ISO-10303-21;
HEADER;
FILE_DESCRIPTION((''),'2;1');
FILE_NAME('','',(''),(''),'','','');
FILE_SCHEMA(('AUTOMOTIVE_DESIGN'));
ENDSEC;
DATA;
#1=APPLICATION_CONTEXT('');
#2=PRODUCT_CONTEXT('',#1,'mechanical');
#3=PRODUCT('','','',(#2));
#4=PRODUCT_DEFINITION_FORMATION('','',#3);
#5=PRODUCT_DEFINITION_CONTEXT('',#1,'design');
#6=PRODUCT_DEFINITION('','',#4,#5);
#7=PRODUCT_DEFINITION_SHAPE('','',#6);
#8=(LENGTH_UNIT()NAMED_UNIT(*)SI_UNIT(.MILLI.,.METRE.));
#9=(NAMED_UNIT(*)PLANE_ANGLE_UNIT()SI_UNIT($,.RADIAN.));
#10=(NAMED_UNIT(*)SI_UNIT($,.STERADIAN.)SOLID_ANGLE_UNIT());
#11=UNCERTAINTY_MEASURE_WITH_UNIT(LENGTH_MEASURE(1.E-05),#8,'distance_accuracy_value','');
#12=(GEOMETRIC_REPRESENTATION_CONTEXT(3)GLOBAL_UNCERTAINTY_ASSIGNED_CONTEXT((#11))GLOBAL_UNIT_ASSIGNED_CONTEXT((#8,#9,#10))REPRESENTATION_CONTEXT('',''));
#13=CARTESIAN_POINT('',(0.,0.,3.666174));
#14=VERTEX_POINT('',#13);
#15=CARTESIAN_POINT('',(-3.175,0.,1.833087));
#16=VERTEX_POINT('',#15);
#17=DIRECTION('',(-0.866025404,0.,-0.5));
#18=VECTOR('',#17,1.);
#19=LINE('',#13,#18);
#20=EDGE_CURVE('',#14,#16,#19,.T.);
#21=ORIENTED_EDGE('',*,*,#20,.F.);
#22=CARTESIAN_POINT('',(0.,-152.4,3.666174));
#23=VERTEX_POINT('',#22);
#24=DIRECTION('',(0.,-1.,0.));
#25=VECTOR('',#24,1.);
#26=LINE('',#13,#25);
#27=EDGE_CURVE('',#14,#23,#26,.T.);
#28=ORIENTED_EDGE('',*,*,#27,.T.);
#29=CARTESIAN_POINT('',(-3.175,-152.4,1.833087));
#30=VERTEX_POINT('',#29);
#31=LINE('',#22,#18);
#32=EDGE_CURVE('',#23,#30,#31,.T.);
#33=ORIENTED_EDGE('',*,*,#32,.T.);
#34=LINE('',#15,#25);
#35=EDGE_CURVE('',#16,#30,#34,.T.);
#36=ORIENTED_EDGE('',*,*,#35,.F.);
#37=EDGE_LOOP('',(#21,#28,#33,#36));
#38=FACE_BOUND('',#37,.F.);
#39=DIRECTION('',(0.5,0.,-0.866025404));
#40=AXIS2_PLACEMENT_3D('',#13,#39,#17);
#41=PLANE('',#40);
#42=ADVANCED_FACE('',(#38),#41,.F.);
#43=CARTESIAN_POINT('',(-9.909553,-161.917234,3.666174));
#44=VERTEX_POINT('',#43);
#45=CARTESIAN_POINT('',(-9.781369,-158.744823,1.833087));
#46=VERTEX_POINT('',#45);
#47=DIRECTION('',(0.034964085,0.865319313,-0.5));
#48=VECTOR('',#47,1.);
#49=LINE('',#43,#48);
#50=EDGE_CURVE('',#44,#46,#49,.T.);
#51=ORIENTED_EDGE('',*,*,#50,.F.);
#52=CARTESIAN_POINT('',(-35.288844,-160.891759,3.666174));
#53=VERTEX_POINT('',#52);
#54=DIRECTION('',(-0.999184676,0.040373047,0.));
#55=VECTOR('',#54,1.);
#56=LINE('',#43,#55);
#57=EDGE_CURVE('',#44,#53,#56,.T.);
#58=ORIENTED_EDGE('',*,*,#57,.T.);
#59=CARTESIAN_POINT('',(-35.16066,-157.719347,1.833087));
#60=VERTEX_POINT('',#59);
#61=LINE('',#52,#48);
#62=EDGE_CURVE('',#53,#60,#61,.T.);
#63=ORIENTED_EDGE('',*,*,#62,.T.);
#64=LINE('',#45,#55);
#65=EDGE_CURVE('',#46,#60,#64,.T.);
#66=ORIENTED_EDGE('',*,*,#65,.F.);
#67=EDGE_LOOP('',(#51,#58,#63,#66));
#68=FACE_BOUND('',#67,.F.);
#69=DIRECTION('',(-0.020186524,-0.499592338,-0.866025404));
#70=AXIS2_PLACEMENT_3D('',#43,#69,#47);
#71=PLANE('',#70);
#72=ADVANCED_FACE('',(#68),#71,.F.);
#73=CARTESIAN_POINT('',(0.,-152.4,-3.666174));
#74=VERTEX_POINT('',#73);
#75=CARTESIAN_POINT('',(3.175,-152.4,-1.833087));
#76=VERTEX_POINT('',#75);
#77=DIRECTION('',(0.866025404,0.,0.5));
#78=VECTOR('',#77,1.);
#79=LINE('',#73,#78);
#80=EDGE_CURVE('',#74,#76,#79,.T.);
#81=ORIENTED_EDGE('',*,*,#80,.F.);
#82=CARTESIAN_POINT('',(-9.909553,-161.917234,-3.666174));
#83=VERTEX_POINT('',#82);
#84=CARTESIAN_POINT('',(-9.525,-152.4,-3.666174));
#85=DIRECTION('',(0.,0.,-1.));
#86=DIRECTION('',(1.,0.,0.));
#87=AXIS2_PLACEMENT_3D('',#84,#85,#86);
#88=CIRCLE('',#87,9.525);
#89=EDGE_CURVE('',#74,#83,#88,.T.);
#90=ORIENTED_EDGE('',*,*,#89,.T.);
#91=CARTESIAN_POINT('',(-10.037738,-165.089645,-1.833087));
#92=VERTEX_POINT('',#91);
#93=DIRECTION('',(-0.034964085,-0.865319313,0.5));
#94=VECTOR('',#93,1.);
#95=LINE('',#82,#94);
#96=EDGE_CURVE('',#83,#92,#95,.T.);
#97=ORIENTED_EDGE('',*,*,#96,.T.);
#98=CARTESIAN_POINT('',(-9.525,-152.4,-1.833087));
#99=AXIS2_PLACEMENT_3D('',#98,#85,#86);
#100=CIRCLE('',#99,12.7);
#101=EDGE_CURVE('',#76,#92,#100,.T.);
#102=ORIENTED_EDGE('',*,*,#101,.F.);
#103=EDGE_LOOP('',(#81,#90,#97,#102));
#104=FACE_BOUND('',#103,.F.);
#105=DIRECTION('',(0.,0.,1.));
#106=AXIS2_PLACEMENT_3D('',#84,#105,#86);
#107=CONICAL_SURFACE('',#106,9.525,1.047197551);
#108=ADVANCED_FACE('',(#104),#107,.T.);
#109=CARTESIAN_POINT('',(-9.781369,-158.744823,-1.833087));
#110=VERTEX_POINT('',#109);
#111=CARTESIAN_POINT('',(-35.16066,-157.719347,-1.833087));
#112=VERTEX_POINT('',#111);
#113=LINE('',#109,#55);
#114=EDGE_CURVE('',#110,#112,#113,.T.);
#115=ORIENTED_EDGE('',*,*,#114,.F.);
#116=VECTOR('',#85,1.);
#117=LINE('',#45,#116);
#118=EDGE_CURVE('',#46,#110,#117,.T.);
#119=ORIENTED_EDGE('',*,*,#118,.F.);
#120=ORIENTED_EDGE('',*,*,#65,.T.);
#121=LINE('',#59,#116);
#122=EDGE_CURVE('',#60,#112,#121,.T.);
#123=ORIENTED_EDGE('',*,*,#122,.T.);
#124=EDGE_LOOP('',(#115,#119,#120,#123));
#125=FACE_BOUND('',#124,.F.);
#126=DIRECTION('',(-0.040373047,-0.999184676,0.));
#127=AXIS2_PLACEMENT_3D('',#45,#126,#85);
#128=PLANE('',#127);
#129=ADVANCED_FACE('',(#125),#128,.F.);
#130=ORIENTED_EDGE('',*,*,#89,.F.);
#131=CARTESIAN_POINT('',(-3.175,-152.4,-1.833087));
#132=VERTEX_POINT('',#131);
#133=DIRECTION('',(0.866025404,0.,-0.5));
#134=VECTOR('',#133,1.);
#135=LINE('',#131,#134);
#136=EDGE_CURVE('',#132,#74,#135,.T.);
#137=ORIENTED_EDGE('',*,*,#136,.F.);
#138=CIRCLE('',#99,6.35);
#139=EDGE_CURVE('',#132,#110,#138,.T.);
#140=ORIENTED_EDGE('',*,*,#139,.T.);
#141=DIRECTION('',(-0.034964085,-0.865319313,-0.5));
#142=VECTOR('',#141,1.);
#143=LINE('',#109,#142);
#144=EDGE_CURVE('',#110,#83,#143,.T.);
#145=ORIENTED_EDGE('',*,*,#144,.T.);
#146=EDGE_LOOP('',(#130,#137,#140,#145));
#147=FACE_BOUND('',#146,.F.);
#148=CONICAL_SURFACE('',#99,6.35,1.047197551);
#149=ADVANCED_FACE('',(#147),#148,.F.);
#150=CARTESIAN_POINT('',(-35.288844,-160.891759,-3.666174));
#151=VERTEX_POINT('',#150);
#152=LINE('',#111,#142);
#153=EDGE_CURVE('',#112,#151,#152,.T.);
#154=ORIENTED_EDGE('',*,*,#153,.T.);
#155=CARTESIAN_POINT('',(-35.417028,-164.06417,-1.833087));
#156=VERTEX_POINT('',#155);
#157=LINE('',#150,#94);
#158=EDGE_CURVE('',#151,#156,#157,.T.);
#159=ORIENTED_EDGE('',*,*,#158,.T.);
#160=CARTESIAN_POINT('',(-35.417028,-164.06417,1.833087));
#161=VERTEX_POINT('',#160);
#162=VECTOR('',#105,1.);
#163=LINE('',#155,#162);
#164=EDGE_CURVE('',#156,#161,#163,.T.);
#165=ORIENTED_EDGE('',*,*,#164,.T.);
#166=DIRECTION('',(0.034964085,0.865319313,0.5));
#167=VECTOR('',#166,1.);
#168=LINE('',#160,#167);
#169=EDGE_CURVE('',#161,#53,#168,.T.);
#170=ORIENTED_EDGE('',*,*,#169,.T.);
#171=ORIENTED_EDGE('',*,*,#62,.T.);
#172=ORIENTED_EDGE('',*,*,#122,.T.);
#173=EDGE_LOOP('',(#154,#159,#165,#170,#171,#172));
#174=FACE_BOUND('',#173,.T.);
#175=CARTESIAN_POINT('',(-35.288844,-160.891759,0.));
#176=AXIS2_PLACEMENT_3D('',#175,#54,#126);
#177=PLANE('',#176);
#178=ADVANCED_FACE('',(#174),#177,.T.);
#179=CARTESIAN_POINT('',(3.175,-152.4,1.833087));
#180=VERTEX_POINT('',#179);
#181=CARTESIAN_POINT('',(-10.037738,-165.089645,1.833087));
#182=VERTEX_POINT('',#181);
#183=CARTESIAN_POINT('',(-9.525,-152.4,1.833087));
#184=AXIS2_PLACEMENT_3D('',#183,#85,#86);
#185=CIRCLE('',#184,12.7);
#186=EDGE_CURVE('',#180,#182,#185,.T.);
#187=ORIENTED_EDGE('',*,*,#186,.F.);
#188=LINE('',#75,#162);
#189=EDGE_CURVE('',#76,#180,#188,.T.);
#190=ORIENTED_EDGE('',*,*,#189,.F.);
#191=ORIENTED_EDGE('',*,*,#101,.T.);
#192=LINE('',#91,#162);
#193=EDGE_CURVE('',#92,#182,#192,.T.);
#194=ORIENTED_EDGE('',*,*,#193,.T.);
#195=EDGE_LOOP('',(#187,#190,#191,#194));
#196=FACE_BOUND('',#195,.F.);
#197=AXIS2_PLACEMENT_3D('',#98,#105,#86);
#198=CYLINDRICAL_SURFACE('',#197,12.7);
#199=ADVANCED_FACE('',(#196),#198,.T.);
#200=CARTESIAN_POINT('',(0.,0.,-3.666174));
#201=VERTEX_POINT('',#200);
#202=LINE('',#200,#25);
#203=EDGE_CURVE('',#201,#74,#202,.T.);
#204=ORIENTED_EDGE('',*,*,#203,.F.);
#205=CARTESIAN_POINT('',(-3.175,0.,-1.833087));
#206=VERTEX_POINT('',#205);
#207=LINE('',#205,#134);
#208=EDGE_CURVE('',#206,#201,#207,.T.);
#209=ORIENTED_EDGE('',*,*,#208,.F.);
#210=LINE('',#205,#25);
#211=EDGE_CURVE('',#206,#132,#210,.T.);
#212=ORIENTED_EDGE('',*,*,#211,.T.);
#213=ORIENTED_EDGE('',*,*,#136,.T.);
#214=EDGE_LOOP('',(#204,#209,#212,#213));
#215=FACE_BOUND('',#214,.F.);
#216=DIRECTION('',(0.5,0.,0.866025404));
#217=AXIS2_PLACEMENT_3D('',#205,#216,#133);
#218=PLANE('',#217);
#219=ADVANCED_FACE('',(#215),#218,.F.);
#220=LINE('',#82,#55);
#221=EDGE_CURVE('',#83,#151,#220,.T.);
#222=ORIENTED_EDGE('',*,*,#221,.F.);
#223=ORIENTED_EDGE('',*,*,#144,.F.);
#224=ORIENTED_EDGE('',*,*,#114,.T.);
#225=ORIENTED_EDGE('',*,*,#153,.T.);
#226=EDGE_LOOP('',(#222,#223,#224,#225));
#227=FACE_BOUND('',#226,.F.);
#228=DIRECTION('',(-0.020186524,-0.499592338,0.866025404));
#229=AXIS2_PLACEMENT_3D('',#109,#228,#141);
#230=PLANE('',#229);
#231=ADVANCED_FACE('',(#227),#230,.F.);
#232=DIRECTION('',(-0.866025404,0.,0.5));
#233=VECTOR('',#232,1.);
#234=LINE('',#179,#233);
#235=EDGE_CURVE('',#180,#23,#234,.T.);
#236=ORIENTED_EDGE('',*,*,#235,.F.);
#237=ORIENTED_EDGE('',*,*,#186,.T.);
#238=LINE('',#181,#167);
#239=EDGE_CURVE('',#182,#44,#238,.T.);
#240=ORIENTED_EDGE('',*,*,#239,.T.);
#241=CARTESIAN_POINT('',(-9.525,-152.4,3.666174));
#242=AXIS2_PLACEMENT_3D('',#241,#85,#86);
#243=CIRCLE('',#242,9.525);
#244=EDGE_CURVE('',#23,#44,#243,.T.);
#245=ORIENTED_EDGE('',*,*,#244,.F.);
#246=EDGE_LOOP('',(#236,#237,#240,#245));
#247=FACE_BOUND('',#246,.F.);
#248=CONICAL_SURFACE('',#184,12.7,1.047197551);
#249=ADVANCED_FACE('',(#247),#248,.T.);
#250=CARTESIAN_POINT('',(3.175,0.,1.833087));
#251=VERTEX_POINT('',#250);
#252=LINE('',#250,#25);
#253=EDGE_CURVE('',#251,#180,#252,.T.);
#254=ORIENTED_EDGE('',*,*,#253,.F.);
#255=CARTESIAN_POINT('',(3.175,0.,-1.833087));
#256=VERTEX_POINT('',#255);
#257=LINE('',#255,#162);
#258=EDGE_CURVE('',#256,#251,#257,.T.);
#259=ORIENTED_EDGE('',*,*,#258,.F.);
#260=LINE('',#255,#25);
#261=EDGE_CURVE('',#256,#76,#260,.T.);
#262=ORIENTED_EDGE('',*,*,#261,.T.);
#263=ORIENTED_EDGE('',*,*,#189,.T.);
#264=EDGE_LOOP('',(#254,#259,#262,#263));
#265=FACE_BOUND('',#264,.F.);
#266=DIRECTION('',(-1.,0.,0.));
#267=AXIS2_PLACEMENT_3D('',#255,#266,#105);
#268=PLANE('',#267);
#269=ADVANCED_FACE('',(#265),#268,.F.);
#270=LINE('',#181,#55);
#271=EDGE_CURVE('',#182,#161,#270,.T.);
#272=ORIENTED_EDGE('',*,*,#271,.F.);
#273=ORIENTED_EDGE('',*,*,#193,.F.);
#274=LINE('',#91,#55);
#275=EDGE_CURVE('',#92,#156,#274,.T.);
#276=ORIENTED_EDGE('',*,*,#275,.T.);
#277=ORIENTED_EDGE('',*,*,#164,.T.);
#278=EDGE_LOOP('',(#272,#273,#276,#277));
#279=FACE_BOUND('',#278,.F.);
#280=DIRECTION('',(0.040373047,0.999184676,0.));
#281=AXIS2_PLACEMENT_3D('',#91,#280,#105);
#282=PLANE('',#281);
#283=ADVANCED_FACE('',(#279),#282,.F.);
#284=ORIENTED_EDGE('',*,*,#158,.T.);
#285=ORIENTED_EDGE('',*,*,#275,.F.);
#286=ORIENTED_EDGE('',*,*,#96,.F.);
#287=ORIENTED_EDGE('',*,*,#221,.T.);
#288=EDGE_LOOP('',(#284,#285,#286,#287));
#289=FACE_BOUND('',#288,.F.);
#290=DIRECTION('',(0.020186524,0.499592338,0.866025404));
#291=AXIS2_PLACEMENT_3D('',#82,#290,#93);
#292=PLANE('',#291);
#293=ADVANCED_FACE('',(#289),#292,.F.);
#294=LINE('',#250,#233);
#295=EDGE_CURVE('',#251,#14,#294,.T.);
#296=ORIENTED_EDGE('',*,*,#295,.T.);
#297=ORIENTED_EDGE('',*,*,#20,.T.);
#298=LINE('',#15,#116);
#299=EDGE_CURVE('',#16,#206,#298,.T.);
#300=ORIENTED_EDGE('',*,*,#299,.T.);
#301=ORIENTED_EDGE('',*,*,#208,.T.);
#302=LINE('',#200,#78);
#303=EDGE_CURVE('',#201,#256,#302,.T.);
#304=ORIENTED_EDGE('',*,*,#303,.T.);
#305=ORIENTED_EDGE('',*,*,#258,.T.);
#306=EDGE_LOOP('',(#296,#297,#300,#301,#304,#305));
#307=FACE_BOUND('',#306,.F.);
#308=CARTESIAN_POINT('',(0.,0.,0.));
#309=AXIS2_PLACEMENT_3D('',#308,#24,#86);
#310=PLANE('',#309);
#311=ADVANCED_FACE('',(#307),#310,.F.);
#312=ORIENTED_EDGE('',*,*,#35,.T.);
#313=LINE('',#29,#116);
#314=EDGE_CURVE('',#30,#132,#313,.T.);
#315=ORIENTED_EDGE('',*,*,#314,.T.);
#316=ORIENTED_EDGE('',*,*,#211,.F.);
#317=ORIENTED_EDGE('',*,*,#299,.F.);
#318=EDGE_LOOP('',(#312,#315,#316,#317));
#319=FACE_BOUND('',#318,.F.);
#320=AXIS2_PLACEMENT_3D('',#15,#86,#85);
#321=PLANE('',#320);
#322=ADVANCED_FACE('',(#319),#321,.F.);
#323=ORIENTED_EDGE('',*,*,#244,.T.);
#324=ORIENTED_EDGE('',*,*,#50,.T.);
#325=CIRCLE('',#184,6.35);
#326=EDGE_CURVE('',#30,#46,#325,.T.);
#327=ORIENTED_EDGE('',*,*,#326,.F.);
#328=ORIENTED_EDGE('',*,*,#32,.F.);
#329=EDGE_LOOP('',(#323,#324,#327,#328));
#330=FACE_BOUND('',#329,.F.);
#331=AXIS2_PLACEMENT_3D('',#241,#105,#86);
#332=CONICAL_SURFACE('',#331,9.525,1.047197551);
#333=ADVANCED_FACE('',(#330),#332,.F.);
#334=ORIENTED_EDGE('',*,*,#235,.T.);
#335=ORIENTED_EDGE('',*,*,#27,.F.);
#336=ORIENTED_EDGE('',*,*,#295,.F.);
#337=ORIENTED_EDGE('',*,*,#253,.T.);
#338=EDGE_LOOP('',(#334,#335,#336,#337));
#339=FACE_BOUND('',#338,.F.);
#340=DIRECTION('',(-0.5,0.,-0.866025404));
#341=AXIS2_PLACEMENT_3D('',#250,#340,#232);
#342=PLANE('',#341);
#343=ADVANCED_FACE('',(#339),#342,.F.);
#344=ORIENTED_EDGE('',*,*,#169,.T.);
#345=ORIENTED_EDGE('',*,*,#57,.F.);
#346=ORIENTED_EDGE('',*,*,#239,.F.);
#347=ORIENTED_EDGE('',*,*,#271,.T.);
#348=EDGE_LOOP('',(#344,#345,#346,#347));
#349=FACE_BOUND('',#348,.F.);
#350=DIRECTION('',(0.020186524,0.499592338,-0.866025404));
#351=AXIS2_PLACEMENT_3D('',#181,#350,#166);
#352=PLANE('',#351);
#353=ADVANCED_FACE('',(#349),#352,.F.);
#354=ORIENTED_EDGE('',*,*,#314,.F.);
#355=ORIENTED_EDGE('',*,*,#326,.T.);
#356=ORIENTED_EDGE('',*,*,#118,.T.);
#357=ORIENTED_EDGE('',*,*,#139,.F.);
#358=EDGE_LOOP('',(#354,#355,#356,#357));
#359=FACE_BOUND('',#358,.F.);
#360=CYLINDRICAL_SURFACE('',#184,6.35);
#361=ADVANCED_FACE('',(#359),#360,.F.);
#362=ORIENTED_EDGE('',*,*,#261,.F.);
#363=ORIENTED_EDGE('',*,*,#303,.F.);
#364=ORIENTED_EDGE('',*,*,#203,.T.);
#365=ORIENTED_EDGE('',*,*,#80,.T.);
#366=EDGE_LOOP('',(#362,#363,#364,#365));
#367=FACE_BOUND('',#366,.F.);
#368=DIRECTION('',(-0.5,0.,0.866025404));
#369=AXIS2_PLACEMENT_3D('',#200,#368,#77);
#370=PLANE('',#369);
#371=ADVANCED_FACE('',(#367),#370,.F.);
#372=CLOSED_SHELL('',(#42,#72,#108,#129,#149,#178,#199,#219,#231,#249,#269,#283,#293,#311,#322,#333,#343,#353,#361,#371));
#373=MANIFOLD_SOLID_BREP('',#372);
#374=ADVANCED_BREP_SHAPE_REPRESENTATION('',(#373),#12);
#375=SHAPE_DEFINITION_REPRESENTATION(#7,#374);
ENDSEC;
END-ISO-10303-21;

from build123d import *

# Parameters (mm, degrees)
F1_DEPTH = 152.4
F3_ANGLE = 92.3138340894
F4_DEPTH = 25.4


with BuildPart() as f1:
    # F0 (on Front) → F1 (new body)
    with BuildSketch(Plane.XZ):
        Polygon((3.175, -1.8330871047), (3.175, 1.8330871047), (0, 3.6661742094), (-3.175, 1.8330871047), (-3.175, -1.8330871047), (0, -3.6661742094), align=None)
    extrude(amount=F1_DEPTH)

    # F2 (on face) → F3 (revolve)
    with BuildSketch(Plane.XZ.offset(152.4)):
        Polygon((-3.175, 1.8330871047), (-3.175, -1.8330871047), (0, -3.6661742094), (3.175, -1.8330871047), (3.175, 1.8330871047), (0, 3.6661742094), align=None)
    revolve(axis=Axis((-9.525, -152.4, 0.9165435523), (0, 0, -1)), revolution_arc=F3_ANGLE)

    # F4 (add): a face of the model
    f4_faces = [f1.faces().sort_by_distance(p)[0] for p in [
        (-9.9095532751, -161.9172340403, 0),
    ]]
    extrude(f4_faces, amount=F4_DEPTH)


solid = f1.part
